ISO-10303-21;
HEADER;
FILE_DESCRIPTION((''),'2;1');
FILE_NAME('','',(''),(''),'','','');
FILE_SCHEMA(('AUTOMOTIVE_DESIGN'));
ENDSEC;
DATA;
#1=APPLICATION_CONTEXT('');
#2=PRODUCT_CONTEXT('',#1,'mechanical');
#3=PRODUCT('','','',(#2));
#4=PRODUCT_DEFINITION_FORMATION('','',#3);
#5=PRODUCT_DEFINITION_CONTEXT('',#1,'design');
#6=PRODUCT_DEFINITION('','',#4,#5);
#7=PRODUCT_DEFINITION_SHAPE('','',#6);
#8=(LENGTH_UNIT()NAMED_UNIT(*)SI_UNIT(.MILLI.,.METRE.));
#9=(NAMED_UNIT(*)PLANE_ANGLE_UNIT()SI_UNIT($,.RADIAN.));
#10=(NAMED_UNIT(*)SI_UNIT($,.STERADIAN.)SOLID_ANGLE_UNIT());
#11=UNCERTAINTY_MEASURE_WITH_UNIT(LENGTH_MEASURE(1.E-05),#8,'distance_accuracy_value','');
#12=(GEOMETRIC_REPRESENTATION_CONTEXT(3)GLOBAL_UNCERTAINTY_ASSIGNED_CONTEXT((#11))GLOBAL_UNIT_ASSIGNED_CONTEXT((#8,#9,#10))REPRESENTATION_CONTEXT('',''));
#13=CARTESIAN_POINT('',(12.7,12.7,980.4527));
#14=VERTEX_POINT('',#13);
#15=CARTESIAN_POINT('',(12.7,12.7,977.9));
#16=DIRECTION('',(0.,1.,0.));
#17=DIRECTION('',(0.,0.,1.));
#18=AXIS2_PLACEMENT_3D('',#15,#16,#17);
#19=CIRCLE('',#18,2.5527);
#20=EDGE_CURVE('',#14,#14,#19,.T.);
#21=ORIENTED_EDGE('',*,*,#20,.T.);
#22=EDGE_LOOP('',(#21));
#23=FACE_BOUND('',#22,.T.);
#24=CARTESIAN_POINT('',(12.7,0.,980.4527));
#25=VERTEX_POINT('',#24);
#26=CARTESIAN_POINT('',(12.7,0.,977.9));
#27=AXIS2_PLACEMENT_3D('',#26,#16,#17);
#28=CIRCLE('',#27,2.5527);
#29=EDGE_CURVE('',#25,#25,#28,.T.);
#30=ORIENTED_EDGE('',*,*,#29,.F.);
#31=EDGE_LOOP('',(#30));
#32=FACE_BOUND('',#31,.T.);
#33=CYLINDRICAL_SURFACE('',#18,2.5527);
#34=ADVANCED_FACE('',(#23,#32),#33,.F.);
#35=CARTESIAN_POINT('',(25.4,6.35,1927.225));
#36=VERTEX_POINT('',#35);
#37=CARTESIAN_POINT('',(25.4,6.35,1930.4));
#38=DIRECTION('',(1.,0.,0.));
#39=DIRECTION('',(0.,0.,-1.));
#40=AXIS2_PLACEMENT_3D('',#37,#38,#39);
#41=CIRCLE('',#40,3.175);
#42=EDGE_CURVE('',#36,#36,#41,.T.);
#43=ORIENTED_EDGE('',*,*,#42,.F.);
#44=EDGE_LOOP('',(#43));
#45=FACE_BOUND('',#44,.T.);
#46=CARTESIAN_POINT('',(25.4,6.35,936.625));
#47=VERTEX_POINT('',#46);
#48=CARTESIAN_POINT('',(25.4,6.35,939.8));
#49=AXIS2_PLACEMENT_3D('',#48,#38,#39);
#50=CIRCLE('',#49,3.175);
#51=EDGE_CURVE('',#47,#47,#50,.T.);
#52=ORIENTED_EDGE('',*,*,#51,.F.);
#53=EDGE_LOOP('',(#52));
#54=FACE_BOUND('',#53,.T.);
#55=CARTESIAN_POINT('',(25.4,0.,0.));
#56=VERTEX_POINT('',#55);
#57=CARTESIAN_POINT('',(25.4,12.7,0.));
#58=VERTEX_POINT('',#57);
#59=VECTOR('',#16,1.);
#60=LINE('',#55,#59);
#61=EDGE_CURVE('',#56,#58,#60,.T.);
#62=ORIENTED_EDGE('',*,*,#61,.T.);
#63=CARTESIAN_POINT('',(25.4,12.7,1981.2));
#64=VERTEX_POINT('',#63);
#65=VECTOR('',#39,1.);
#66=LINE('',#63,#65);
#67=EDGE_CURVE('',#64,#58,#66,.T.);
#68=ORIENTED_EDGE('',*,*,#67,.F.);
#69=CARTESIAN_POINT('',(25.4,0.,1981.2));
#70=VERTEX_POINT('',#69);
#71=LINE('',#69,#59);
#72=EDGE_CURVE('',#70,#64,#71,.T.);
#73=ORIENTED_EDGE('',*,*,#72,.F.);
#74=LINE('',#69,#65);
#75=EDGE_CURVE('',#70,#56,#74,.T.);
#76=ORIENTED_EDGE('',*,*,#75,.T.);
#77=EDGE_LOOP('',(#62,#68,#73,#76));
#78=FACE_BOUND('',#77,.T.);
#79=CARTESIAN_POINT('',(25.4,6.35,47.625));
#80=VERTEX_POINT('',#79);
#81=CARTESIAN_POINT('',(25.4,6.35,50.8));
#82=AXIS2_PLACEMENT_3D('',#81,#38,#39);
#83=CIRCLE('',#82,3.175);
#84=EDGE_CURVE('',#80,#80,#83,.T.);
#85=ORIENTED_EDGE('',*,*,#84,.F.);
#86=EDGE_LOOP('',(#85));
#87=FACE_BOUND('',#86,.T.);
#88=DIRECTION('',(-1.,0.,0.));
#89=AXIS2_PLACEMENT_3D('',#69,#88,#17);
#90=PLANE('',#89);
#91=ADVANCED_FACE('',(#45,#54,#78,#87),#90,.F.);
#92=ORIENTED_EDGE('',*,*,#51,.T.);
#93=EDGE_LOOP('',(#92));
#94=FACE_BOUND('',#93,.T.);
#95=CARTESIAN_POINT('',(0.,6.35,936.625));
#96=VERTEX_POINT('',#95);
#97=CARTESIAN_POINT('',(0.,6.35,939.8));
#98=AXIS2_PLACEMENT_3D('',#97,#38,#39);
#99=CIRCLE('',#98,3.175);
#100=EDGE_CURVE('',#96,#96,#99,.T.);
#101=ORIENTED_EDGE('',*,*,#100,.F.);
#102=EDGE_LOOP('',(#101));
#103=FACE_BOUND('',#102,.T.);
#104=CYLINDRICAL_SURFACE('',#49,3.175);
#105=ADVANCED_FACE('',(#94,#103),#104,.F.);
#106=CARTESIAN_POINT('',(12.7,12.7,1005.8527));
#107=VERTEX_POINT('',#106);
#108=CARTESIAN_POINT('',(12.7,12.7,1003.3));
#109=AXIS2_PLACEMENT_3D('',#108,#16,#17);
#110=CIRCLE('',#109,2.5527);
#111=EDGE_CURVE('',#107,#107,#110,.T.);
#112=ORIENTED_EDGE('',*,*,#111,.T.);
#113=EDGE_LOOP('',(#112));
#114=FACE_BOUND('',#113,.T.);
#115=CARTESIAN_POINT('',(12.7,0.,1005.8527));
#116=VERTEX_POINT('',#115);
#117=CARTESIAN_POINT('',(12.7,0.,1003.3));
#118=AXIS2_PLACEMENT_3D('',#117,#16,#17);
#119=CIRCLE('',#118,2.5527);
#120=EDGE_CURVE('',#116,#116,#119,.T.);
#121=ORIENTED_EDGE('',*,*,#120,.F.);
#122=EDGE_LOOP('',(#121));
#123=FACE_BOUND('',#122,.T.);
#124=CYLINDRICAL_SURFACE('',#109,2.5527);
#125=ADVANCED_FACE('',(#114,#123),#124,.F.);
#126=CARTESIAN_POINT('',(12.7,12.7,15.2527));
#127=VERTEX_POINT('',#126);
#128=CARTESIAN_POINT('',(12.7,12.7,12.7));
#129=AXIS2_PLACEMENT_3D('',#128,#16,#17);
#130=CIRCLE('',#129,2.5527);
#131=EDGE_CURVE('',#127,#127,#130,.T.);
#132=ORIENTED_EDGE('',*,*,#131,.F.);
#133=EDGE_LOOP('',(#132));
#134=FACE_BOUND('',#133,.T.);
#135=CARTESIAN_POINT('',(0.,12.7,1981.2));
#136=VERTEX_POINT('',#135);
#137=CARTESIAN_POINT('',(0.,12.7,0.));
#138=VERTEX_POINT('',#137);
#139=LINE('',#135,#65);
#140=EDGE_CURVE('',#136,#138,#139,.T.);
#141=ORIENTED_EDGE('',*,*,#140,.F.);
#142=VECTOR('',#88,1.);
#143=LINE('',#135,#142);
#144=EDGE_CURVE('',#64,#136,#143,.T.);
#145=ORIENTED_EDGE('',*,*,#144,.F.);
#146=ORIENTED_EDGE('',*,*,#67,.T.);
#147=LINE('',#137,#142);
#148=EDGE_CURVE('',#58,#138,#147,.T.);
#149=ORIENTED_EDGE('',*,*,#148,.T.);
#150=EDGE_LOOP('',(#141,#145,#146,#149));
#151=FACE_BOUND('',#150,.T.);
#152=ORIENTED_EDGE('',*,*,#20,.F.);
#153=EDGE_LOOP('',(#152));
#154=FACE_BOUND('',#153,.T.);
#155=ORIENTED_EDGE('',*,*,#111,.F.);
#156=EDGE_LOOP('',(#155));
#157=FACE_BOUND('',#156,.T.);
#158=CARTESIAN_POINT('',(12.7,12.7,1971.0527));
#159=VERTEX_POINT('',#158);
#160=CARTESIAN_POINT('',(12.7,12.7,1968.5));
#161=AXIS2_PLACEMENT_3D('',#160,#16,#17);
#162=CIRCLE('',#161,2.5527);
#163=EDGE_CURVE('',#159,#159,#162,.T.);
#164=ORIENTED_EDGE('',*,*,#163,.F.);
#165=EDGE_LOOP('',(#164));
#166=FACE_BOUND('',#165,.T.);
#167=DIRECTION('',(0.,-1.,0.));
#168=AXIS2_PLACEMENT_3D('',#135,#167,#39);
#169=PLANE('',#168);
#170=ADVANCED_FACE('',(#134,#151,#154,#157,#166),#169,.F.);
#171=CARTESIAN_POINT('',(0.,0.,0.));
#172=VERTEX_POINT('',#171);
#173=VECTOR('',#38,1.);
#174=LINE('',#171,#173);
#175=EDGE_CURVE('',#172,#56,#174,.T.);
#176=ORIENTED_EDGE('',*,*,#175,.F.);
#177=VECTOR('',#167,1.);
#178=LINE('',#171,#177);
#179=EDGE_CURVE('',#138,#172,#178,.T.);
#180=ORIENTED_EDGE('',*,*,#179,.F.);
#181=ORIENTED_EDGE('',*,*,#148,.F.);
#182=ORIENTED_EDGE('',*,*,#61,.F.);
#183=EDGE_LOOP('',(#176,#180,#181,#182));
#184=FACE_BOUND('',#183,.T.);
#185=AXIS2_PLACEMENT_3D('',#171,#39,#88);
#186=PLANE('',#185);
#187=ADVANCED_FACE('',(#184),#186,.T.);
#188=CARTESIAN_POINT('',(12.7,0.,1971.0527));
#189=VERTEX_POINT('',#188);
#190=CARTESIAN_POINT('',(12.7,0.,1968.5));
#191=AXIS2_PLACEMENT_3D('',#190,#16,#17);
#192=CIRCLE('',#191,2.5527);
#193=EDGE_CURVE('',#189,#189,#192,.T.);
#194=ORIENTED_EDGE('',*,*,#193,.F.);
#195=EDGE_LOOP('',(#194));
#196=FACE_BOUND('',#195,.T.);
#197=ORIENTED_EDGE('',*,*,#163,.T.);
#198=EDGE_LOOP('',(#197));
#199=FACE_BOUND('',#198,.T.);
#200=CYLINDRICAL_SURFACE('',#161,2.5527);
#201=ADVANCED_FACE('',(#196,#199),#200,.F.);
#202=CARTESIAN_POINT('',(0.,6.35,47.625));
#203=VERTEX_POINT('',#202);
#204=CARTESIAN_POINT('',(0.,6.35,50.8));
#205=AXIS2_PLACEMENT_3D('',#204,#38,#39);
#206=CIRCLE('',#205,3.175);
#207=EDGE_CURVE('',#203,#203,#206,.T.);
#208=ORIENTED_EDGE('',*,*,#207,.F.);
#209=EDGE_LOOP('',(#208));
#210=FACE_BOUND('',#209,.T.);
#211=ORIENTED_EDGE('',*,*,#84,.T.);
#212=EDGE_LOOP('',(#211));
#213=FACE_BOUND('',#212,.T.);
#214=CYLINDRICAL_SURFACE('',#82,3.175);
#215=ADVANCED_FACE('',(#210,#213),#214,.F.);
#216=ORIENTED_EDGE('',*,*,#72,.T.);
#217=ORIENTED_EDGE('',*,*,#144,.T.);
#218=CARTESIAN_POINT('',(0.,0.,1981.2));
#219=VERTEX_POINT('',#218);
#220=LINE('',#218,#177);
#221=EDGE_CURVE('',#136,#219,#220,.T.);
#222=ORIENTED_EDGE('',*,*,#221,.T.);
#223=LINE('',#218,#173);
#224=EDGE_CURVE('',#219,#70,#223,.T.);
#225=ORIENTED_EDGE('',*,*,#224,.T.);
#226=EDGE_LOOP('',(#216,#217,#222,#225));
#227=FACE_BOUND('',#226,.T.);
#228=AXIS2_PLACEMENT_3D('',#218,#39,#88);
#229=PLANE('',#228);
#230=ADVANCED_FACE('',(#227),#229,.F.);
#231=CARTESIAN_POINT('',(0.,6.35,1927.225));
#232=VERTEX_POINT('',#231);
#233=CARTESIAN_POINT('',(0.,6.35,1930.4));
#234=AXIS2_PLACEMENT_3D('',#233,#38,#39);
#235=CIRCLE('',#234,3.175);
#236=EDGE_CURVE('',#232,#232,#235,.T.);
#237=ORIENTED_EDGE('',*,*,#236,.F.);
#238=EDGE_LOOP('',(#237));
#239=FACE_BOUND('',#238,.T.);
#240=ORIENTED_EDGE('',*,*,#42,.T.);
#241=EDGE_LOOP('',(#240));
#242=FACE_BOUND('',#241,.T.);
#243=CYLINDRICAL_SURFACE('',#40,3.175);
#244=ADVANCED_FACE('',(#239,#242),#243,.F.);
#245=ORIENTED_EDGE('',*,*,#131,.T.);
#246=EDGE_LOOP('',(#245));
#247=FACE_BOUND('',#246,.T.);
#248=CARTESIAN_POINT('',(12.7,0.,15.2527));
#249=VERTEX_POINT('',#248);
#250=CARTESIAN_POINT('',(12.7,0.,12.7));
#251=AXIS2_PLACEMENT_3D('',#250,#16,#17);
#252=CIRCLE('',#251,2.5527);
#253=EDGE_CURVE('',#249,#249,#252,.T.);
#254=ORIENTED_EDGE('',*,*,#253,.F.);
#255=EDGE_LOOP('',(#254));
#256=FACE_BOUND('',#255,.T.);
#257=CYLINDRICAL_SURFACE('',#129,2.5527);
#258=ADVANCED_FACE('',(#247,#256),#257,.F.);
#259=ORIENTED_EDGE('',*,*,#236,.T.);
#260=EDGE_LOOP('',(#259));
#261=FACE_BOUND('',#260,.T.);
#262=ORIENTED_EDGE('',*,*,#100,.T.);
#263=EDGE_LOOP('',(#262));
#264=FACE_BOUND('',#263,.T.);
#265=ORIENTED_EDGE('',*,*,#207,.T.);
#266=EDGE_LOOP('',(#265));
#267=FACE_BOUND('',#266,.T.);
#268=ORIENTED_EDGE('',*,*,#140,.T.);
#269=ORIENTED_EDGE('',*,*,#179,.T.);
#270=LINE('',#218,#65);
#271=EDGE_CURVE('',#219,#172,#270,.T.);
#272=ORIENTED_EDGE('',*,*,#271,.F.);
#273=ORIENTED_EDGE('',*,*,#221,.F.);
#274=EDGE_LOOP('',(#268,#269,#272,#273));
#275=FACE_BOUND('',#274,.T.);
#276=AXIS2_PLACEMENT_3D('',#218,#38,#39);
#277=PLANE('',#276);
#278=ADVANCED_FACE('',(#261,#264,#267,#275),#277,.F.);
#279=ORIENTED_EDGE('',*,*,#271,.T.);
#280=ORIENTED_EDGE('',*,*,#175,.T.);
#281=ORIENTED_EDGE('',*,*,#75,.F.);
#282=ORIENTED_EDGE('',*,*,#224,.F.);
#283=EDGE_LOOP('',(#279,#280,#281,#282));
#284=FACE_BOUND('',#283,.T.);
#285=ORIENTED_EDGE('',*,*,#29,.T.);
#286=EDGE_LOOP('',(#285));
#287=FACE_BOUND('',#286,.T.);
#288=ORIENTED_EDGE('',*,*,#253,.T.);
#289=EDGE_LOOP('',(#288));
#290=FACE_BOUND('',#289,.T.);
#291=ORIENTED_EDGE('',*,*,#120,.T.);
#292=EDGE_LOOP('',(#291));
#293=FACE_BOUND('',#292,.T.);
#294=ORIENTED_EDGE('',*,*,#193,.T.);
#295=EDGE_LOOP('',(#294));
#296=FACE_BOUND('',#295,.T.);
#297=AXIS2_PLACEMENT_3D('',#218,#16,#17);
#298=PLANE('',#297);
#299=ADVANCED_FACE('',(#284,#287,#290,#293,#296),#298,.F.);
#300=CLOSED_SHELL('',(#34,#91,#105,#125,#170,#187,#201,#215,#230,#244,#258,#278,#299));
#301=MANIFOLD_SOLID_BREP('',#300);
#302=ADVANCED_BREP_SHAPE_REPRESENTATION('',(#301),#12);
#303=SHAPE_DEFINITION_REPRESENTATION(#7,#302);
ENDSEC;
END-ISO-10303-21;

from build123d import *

# Parameters (mm, degrees)
SKETCH4_W                   = 25.4
SKETCH4_H                   = 12.7
BOSS_EXTRUDE2_DEPTH         = 1981.2
F_1_4_20_TAPPED_HOLE1_D     = 5.1054
F_1_4_0_25_DIAMETER_HOLE1_D = 6.35


with BuildPart() as part:
    # Sketch4 → Boss-Extrude2 (new body)
    with BuildSketch(Plane.XY):
        with Locations((12.7, 6.35)):
            Rectangle(SKETCH4_W, SKETCH4_H)
    extrude(amount=BOSS_EXTRUDE2_DEPTH)

    # 1/4-20 Tapped Hole1 (through all)
    with Locations(Plane(origin=(0, 12.7, 0), x_dir=(1, 0, 0), z_dir=(0, 1, 0))):
        with Locations((12.7, -1968.5), (12.7, -977.9), (12.7, -1003.3), (12.7, -12.7)):
            Hole(F_1_4_20_TAPPED_HOLE1_D / 2)

    # 1/4 (0.25) Diameter Hole1 (through all)
    with Locations(Plane(origin=(25.4, 0, 0), x_dir=(0, 0, -1), z_dir=(1, 0, 0))):
        with Locations((-50.8, 6.35), (-939.8, 6.35), (-1930.4, 6.35)):
            Hole(F_1_4_0_25_DIAMETER_HOLE1_D / 2)


solid = part.part
